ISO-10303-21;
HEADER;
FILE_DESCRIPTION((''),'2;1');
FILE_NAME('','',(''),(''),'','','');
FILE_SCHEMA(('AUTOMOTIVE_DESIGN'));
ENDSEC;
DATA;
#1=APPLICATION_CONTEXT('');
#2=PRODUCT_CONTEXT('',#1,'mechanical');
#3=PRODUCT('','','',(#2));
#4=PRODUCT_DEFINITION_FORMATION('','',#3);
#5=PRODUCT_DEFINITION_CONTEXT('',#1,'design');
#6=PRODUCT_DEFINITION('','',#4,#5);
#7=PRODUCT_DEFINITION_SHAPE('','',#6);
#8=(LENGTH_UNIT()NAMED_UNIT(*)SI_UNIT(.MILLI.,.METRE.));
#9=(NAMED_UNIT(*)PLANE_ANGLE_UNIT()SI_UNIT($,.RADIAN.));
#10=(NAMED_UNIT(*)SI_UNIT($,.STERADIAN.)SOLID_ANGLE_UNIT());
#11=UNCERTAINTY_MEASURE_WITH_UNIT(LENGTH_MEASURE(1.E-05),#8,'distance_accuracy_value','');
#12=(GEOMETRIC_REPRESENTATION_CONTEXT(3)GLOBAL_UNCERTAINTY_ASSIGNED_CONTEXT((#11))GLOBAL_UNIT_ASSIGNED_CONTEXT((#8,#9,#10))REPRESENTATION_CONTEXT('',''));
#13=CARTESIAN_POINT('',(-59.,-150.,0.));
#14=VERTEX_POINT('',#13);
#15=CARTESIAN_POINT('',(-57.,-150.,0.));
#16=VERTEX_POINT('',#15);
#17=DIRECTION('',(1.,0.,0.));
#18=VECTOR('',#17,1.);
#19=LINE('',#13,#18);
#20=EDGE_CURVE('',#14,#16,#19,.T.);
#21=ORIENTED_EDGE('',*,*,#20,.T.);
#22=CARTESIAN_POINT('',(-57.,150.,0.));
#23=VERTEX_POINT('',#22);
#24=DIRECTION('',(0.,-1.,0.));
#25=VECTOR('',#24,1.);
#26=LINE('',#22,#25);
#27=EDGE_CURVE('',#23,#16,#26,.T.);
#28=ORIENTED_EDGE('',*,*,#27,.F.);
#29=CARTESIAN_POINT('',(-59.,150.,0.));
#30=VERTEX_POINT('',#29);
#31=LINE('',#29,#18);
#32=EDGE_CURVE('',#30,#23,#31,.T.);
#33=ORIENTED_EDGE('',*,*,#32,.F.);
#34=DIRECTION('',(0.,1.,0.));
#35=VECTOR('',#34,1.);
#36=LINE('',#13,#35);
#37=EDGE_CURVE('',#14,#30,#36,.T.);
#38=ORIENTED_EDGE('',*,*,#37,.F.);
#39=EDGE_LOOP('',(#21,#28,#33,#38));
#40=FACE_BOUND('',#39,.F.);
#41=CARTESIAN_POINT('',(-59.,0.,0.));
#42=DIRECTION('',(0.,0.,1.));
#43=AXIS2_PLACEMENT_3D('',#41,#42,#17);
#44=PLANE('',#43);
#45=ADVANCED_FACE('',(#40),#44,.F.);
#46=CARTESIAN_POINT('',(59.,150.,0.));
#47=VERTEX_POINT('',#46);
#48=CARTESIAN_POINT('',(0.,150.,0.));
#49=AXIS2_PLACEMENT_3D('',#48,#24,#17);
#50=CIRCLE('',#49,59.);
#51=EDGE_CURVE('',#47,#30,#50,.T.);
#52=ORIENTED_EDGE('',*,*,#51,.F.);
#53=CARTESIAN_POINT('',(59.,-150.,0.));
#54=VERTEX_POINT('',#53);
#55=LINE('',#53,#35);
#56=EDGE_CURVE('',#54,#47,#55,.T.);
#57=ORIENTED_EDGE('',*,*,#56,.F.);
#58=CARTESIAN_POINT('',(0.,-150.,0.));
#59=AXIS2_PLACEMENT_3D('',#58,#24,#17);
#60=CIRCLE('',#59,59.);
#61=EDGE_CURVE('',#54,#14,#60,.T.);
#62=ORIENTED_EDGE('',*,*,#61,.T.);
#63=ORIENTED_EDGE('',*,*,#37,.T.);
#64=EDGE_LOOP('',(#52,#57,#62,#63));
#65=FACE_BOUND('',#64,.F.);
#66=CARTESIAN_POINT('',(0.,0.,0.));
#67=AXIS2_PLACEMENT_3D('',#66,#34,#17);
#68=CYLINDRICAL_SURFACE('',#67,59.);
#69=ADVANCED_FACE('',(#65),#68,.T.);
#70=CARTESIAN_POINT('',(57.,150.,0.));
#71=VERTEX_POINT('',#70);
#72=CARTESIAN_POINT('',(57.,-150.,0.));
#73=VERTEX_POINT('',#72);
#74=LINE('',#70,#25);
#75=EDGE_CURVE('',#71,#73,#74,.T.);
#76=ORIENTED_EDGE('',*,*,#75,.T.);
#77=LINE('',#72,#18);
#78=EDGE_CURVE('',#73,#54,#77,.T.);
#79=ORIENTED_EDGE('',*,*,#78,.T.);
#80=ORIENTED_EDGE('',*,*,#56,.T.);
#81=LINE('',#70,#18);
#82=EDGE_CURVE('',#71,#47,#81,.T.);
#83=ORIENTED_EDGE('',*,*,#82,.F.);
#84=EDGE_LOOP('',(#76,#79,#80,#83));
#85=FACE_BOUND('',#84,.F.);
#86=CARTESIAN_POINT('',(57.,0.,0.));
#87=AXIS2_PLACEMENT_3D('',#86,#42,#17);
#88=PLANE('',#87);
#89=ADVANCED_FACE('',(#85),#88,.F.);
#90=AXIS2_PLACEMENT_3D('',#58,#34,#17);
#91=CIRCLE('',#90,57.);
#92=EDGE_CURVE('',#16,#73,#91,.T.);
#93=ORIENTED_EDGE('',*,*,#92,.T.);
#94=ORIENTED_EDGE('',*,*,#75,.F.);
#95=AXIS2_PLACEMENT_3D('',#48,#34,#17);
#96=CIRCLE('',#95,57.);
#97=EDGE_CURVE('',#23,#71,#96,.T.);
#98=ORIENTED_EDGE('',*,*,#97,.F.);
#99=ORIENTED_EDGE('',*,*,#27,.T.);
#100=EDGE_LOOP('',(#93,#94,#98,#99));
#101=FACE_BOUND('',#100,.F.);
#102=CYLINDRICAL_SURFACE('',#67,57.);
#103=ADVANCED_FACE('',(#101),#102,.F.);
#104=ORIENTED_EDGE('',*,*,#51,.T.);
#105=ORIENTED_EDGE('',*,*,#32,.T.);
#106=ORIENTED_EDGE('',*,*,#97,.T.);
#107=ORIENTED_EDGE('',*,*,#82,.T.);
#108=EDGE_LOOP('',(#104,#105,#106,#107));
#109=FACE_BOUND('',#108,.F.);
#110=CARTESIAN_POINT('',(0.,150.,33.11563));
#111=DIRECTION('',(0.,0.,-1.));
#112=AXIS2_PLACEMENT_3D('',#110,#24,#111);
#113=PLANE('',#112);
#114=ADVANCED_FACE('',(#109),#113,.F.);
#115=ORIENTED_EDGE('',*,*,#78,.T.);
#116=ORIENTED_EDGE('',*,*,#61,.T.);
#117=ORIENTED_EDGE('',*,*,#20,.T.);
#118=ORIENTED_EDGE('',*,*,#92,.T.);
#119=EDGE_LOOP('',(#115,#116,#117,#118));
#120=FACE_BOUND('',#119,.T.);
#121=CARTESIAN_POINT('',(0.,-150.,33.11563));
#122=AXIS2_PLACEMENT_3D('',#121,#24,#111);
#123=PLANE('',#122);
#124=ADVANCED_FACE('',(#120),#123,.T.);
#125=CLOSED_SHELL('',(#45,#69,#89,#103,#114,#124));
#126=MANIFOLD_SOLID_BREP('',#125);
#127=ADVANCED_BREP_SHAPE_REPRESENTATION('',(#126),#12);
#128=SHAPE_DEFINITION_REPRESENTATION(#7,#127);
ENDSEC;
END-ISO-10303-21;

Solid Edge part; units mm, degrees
sketch "Sketch1" plane through (0, 0, 0) normal (0, -1, 0) x (1, 0, 0)
  line L0 (-59, 0) -> (-57, 0)
  line L1 (57, 0) -> (59, 0)
  arc A0 (59, 0) -> (-59, 0) centre (0, 0) ccw
  arc A1 (-57, 0) -> (57, 0) centre (0, 0) cw
extrude "Protrusion1" add sketch "Sketch1" along normal mid plane 300
